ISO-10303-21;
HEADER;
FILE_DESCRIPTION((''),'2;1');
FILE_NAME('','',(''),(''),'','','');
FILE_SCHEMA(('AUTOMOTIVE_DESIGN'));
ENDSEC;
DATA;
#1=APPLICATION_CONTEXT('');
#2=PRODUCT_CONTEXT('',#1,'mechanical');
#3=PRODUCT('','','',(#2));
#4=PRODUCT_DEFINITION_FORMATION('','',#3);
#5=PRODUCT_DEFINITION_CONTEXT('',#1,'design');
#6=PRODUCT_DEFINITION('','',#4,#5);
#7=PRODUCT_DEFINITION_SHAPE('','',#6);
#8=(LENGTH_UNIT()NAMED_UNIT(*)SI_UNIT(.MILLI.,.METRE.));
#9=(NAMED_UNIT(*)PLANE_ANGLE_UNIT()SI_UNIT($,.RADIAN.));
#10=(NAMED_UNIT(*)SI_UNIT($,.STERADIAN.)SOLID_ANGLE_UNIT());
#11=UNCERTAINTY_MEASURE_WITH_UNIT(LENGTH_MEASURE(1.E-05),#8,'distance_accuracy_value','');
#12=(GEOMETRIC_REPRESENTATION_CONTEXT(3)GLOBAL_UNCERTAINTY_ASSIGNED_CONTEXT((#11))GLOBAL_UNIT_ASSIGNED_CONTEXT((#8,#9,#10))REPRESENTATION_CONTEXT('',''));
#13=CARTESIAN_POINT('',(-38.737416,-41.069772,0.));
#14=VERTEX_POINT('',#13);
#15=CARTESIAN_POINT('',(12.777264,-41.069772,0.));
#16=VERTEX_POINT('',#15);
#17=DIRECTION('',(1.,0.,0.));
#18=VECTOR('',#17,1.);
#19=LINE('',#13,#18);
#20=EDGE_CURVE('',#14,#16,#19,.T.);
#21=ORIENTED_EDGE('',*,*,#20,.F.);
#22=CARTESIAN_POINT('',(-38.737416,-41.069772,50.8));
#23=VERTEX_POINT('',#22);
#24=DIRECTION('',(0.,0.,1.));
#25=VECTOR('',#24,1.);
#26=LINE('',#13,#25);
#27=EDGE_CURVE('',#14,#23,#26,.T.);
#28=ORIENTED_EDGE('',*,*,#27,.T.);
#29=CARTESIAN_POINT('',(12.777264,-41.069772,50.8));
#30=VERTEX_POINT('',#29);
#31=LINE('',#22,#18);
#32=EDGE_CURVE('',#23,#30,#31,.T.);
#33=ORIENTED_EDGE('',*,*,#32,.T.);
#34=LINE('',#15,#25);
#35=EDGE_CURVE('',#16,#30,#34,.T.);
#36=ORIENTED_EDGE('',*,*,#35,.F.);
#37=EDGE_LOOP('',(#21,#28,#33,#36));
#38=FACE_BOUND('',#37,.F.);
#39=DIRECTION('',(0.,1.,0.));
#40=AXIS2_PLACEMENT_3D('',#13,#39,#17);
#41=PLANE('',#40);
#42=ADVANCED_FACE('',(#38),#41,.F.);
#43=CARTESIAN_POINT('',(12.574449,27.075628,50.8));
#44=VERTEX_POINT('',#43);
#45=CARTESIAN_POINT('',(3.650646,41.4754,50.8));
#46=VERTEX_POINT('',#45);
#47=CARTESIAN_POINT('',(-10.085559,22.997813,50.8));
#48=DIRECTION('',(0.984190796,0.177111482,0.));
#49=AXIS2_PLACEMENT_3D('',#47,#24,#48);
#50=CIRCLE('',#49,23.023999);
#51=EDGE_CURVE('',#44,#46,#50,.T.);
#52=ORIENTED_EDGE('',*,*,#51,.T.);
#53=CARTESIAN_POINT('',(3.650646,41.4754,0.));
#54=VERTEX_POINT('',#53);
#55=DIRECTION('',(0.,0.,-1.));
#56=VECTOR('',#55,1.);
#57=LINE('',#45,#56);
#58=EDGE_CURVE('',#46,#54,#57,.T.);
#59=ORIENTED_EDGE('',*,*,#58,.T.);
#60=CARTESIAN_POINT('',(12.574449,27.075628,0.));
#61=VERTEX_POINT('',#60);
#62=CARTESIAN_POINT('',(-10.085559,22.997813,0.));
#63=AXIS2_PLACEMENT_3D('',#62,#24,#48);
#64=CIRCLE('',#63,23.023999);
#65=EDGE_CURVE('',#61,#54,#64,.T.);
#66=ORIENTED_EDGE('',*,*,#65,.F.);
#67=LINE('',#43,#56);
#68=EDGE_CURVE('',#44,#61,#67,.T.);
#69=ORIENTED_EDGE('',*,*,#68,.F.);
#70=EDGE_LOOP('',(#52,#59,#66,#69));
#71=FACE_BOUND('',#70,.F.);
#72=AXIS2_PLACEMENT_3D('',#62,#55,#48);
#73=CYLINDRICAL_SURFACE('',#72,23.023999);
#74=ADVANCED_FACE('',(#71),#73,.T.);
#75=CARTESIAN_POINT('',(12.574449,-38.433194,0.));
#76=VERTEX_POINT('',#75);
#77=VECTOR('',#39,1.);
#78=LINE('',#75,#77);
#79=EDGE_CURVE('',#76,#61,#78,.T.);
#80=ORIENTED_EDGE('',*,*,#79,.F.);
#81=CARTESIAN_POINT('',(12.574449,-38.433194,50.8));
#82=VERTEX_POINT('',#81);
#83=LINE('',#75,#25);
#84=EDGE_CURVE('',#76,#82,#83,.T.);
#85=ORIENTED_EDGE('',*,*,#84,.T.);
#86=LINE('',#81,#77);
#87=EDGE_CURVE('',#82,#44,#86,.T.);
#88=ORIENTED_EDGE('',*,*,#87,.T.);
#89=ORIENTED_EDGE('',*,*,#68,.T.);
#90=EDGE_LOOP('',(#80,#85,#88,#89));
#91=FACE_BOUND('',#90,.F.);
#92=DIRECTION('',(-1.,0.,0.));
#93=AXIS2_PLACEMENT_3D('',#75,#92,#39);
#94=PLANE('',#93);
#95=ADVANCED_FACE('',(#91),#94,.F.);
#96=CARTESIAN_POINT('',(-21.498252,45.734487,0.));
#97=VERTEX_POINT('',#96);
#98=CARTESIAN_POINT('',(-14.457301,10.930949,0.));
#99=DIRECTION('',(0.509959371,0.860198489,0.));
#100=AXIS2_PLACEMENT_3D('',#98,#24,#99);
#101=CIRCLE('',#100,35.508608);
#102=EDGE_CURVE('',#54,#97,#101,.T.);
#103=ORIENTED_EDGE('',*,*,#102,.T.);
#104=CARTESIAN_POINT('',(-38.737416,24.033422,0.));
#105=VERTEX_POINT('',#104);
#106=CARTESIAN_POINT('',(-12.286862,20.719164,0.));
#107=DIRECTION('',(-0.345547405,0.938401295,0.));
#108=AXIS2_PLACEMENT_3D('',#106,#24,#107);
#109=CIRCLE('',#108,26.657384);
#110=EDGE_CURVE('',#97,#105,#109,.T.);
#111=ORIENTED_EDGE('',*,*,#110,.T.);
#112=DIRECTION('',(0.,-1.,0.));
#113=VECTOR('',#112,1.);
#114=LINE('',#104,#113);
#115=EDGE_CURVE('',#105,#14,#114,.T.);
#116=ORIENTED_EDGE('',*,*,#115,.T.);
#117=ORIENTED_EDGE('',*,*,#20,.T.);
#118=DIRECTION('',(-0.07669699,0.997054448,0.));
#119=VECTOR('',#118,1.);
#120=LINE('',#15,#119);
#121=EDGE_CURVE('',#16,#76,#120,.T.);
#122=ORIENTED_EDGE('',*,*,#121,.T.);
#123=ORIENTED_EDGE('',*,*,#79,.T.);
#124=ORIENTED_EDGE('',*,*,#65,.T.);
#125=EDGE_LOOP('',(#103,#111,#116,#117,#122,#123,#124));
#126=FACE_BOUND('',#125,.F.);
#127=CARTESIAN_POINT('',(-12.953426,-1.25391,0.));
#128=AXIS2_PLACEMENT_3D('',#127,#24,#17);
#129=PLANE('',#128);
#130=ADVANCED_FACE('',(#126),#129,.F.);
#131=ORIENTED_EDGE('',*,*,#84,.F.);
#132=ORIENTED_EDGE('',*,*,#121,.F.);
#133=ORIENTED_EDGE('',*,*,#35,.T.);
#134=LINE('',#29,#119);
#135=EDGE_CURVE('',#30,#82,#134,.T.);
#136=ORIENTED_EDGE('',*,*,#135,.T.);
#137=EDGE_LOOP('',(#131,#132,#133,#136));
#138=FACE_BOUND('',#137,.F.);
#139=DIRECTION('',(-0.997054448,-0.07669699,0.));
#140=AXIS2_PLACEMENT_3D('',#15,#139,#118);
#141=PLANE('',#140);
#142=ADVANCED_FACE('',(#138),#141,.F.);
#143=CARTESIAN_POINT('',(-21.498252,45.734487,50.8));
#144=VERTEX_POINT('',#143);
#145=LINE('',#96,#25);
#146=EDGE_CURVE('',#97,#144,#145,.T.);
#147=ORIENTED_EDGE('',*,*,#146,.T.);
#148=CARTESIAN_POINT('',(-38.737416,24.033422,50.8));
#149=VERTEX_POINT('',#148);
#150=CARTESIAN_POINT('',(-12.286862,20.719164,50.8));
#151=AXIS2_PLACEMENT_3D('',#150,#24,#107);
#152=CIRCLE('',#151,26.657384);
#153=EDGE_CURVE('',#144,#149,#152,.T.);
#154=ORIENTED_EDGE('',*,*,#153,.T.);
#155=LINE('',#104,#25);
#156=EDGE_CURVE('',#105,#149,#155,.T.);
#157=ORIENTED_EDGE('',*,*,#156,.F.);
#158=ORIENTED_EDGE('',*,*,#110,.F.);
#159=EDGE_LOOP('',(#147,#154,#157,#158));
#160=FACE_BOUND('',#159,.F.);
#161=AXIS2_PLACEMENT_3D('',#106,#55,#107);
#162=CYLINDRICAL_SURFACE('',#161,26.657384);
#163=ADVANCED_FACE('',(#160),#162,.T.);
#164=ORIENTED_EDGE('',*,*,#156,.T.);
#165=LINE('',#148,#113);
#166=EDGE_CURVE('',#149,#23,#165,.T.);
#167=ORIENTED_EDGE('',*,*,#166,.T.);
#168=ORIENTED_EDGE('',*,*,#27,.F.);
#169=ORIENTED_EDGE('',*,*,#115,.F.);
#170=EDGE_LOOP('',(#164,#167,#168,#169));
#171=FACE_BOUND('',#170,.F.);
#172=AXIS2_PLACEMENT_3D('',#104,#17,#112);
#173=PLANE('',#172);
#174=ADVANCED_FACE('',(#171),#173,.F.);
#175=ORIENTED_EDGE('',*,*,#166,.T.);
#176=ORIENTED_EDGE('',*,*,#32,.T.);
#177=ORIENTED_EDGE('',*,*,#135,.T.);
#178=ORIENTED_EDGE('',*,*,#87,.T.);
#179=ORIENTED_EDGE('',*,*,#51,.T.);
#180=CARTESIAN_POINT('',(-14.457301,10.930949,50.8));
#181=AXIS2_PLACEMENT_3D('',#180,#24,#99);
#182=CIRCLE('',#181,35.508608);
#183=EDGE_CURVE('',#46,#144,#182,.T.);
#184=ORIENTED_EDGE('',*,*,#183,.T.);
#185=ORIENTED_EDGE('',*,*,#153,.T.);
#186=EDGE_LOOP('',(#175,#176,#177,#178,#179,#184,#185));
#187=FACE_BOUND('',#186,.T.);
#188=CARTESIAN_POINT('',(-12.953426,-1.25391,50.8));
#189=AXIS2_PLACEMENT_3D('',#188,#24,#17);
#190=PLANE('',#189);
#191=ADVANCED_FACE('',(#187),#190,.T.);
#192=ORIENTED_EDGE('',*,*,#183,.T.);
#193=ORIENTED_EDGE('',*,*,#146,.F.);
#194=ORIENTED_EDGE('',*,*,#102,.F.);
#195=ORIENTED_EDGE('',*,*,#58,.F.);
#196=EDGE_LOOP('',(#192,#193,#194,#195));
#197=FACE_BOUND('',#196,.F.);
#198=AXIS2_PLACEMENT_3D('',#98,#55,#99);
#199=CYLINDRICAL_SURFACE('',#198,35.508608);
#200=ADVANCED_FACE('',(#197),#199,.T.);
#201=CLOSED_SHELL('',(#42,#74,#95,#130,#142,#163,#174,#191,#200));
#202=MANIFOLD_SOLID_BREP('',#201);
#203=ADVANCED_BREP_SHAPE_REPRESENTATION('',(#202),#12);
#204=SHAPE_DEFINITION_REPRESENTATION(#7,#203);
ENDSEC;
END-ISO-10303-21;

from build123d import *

# Parameters (mm, degrees)
F1_DEPTH = 50.8
F2_DEPTH = 25.4


with BuildPart() as f1:
    # F0 (on Top) → F1 (new body)
    with BuildSketch(Plane.XY):
        with BuildLine():
            ThreePointArc((3.650646, 41.4754), (-8.528173, 45.941043), (-21.498252, 45.734487))
            ThreePointArc((-21.498252, 45.734487), (-33.159754, 37.300433), (-38.737416, 24.033422))
            Line((-38.737416, 24.033422), (-38.737416, -10.444905))
            Line((-38.737416, -10.444905), (-38.737416, -14.095552))
            Line((-38.737416, -14.095552), (-38.737416, -41.069772))
            Line((-38.737416, -41.069772), (12.777264, -41.069772))
            Line((12.777264, -41.069772), (12.574449, -38.433194))
            Line((12.574449, -38.433194), (12.574449, -13.892737))
            Line((12.574449, -13.892737), (12.574449, 27.075628))
            ThreePointArc((12.574449, 27.075628), (9.485068, 35.12609), (3.650646, 41.4754))
        make_face()
    extrude(amount=F1_DEPTH)

    # F0 (on Top) → F2 (join)
    with BuildSketch(Plane.XY):
        with BuildLine():
            ThreePointArc((3.650646, 41.4754), (-8.528173, 45.941043), (-21.498252, 45.734487))
            ThreePointArc((-21.498252, 45.734487), (-33.159754, 37.300433), (-38.737416, 24.033422))
            Line((-38.737416, 24.033422), (-38.737416, -10.444905))
            Line((-38.737416, -10.444905), (-38.737416, -14.095552))
            Line((-38.737416, -14.095552), (-38.737416, -41.069772))
            Line((-38.737416, -41.069772), (12.777264, -41.069772))
            Line((12.777264, -41.069772), (12.574449, -38.433194))
            Line((12.574449, -38.433194), (12.574449, -13.892737))
            Line((12.574449, -13.892737), (12.574449, 27.075628))
            ThreePointArc((12.574449, 27.075628), (9.485068, 35.12609), (3.650646, 41.4754))
        make_face()
    extrude(amount=F2_DEPTH)


solid = f1.part
